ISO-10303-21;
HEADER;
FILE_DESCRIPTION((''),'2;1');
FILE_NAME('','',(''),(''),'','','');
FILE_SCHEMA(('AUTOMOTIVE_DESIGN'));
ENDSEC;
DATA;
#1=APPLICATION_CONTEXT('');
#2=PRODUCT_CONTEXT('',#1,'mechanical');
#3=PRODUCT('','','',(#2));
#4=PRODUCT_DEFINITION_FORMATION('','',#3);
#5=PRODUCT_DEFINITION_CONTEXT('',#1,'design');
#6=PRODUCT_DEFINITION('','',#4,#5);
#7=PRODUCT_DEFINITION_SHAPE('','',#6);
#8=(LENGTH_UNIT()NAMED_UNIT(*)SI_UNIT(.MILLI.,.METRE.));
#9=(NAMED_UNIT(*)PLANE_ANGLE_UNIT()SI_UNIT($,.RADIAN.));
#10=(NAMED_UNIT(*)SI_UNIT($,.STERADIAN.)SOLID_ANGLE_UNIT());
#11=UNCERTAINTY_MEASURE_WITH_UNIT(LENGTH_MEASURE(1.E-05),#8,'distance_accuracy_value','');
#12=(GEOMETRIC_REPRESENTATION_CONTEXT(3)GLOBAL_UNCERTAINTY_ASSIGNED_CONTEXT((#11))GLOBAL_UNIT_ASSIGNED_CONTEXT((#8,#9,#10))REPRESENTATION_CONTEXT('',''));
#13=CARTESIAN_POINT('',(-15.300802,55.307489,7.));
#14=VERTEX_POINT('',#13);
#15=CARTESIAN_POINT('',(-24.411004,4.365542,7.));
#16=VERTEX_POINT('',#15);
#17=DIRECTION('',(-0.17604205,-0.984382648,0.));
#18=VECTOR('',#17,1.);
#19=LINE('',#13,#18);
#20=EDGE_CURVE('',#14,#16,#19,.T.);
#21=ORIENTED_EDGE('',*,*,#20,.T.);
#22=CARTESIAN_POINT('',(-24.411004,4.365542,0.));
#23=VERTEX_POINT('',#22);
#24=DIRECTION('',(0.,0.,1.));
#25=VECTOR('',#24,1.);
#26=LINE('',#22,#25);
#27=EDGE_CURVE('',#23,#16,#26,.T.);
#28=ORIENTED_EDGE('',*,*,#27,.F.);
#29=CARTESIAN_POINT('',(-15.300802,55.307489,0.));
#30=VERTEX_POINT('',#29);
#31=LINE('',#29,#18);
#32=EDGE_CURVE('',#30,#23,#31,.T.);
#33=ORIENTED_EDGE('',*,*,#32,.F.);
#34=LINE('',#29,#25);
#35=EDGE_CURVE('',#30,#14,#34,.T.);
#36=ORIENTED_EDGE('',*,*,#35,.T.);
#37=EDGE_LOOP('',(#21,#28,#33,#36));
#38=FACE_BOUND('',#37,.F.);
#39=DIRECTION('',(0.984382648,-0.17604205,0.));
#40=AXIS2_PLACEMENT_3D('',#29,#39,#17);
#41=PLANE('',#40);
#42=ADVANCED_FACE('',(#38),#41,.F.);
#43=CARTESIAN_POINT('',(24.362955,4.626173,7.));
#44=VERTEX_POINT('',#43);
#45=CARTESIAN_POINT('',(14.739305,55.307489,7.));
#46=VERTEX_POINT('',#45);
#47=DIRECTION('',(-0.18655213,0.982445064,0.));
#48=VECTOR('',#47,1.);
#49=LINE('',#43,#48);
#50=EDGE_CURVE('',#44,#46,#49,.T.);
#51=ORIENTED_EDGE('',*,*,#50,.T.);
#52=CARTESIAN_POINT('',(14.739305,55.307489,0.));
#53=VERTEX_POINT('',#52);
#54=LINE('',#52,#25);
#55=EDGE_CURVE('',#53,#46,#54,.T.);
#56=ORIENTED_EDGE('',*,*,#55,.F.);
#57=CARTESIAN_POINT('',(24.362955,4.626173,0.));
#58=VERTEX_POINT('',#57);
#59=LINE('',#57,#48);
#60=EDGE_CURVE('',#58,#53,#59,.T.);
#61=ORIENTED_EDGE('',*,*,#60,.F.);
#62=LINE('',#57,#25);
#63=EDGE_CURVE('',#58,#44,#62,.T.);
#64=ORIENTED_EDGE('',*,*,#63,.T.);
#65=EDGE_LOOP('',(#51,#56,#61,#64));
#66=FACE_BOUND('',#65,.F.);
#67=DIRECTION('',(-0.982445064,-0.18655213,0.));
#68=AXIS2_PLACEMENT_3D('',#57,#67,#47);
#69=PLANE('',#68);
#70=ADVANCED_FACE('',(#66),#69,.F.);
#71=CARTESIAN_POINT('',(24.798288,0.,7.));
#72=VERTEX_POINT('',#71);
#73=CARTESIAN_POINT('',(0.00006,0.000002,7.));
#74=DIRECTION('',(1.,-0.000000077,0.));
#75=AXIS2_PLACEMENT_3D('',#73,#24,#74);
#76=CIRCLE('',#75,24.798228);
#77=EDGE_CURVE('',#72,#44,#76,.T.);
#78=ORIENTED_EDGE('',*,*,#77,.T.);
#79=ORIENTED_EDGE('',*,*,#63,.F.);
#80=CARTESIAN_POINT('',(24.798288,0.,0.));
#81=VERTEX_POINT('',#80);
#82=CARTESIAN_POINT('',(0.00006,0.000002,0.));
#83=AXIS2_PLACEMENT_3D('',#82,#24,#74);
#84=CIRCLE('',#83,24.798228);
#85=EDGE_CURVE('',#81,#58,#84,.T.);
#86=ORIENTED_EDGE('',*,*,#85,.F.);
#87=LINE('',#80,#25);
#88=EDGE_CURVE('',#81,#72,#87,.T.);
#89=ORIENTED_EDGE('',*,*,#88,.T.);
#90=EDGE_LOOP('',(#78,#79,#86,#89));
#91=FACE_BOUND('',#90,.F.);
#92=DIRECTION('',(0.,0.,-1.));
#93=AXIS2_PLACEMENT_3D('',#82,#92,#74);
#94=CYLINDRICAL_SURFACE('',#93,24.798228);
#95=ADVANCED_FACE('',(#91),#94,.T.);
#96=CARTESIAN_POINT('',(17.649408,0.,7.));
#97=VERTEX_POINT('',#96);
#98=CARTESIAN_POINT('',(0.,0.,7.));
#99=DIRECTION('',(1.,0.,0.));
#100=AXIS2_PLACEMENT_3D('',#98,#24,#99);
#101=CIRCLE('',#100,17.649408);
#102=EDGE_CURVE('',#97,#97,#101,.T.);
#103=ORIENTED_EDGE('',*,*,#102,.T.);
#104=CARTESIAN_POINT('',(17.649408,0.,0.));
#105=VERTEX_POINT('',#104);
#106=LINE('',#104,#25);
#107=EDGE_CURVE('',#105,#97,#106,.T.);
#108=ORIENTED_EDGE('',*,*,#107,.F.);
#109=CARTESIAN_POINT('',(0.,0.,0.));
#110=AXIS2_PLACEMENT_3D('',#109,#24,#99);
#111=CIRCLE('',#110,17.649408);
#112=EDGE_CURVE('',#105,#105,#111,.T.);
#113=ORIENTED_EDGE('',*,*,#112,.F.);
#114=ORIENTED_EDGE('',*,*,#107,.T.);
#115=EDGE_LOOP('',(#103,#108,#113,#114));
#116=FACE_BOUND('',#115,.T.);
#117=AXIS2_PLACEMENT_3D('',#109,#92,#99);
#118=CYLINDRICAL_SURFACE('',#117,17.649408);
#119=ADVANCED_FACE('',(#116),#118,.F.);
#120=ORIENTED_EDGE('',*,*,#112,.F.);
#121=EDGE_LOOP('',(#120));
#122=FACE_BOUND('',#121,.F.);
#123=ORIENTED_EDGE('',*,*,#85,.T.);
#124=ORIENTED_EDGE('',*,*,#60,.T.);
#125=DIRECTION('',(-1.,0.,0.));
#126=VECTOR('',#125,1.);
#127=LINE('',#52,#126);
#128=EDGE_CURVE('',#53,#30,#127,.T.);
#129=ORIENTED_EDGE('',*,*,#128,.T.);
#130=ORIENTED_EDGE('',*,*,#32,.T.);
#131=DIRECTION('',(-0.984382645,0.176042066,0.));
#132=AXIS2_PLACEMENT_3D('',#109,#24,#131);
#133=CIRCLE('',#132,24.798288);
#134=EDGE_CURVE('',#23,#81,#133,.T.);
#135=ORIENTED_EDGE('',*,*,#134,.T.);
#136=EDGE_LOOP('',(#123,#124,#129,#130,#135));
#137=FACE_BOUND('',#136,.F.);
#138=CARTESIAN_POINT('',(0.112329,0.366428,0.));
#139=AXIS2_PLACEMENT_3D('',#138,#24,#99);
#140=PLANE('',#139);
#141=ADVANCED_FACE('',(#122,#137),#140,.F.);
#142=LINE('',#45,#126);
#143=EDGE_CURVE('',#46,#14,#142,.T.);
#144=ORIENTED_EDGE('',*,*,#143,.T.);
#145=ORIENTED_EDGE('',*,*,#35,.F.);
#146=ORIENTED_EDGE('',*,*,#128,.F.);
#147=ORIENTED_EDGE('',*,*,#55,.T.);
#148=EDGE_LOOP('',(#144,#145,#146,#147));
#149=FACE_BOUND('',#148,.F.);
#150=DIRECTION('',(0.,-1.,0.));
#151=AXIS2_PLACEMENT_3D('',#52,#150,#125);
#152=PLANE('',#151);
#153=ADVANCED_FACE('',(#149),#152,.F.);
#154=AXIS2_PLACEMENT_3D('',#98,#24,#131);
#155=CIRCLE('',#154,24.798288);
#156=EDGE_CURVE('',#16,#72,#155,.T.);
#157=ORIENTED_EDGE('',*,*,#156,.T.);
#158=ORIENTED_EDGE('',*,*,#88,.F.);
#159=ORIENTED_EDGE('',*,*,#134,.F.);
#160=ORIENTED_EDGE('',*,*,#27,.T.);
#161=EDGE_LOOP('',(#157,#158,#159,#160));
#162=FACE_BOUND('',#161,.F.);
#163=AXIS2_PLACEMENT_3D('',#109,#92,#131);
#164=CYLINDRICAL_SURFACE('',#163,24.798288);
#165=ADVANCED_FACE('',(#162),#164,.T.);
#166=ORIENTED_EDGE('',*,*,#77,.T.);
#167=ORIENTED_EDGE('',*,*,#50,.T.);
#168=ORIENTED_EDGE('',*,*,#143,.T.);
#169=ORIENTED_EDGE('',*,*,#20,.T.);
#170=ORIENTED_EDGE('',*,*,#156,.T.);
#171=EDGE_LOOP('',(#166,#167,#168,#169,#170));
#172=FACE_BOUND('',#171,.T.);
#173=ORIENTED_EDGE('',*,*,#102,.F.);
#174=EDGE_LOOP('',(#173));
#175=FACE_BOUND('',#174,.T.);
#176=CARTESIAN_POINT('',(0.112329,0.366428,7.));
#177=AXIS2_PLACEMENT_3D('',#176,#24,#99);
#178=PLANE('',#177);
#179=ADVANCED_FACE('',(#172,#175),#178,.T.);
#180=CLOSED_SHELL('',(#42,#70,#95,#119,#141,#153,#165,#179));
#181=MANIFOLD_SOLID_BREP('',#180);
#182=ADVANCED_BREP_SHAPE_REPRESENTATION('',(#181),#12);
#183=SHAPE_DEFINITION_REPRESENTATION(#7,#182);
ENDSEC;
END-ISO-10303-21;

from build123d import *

# Parameters (mm, degrees)
F0_R     = 17.649408
F1_DEPTH = 7


with BuildPart() as f1:
    # F0 (on Top) → F1 (new body)
    with BuildSketch(Plane.XY):
        with BuildLine():
            ThreePointArc((-24.411004, 4.365542), (-2.191343, -24.701277), (24.798288, 0))
            ThreePointArc((24.798288, 0), (24.689215, 2.323305), (24.362955, 4.626173))
            ThreePointArc((24.362955, 4.626173), (-0.132512, 24.797933), (-24.411004, 4.365542))
        make_face()
        Circle(F0_R, mode=Mode.SUBTRACT)
        with BuildLine():
            ThreePointArc((-24.411004, 4.365542), (-0.132512, 24.797933), (24.362955, 4.626173))
            Line((24.362955, 4.626173), (14.739305, 55.307489))
            Line((14.739305, 55.307489), (-15.300802, 55.307489))
            Line((-15.300802, 55.307489), (-24.411004, 4.365542))
        make_face()
    extrude(amount=F1_DEPTH)


solid = f1.part
